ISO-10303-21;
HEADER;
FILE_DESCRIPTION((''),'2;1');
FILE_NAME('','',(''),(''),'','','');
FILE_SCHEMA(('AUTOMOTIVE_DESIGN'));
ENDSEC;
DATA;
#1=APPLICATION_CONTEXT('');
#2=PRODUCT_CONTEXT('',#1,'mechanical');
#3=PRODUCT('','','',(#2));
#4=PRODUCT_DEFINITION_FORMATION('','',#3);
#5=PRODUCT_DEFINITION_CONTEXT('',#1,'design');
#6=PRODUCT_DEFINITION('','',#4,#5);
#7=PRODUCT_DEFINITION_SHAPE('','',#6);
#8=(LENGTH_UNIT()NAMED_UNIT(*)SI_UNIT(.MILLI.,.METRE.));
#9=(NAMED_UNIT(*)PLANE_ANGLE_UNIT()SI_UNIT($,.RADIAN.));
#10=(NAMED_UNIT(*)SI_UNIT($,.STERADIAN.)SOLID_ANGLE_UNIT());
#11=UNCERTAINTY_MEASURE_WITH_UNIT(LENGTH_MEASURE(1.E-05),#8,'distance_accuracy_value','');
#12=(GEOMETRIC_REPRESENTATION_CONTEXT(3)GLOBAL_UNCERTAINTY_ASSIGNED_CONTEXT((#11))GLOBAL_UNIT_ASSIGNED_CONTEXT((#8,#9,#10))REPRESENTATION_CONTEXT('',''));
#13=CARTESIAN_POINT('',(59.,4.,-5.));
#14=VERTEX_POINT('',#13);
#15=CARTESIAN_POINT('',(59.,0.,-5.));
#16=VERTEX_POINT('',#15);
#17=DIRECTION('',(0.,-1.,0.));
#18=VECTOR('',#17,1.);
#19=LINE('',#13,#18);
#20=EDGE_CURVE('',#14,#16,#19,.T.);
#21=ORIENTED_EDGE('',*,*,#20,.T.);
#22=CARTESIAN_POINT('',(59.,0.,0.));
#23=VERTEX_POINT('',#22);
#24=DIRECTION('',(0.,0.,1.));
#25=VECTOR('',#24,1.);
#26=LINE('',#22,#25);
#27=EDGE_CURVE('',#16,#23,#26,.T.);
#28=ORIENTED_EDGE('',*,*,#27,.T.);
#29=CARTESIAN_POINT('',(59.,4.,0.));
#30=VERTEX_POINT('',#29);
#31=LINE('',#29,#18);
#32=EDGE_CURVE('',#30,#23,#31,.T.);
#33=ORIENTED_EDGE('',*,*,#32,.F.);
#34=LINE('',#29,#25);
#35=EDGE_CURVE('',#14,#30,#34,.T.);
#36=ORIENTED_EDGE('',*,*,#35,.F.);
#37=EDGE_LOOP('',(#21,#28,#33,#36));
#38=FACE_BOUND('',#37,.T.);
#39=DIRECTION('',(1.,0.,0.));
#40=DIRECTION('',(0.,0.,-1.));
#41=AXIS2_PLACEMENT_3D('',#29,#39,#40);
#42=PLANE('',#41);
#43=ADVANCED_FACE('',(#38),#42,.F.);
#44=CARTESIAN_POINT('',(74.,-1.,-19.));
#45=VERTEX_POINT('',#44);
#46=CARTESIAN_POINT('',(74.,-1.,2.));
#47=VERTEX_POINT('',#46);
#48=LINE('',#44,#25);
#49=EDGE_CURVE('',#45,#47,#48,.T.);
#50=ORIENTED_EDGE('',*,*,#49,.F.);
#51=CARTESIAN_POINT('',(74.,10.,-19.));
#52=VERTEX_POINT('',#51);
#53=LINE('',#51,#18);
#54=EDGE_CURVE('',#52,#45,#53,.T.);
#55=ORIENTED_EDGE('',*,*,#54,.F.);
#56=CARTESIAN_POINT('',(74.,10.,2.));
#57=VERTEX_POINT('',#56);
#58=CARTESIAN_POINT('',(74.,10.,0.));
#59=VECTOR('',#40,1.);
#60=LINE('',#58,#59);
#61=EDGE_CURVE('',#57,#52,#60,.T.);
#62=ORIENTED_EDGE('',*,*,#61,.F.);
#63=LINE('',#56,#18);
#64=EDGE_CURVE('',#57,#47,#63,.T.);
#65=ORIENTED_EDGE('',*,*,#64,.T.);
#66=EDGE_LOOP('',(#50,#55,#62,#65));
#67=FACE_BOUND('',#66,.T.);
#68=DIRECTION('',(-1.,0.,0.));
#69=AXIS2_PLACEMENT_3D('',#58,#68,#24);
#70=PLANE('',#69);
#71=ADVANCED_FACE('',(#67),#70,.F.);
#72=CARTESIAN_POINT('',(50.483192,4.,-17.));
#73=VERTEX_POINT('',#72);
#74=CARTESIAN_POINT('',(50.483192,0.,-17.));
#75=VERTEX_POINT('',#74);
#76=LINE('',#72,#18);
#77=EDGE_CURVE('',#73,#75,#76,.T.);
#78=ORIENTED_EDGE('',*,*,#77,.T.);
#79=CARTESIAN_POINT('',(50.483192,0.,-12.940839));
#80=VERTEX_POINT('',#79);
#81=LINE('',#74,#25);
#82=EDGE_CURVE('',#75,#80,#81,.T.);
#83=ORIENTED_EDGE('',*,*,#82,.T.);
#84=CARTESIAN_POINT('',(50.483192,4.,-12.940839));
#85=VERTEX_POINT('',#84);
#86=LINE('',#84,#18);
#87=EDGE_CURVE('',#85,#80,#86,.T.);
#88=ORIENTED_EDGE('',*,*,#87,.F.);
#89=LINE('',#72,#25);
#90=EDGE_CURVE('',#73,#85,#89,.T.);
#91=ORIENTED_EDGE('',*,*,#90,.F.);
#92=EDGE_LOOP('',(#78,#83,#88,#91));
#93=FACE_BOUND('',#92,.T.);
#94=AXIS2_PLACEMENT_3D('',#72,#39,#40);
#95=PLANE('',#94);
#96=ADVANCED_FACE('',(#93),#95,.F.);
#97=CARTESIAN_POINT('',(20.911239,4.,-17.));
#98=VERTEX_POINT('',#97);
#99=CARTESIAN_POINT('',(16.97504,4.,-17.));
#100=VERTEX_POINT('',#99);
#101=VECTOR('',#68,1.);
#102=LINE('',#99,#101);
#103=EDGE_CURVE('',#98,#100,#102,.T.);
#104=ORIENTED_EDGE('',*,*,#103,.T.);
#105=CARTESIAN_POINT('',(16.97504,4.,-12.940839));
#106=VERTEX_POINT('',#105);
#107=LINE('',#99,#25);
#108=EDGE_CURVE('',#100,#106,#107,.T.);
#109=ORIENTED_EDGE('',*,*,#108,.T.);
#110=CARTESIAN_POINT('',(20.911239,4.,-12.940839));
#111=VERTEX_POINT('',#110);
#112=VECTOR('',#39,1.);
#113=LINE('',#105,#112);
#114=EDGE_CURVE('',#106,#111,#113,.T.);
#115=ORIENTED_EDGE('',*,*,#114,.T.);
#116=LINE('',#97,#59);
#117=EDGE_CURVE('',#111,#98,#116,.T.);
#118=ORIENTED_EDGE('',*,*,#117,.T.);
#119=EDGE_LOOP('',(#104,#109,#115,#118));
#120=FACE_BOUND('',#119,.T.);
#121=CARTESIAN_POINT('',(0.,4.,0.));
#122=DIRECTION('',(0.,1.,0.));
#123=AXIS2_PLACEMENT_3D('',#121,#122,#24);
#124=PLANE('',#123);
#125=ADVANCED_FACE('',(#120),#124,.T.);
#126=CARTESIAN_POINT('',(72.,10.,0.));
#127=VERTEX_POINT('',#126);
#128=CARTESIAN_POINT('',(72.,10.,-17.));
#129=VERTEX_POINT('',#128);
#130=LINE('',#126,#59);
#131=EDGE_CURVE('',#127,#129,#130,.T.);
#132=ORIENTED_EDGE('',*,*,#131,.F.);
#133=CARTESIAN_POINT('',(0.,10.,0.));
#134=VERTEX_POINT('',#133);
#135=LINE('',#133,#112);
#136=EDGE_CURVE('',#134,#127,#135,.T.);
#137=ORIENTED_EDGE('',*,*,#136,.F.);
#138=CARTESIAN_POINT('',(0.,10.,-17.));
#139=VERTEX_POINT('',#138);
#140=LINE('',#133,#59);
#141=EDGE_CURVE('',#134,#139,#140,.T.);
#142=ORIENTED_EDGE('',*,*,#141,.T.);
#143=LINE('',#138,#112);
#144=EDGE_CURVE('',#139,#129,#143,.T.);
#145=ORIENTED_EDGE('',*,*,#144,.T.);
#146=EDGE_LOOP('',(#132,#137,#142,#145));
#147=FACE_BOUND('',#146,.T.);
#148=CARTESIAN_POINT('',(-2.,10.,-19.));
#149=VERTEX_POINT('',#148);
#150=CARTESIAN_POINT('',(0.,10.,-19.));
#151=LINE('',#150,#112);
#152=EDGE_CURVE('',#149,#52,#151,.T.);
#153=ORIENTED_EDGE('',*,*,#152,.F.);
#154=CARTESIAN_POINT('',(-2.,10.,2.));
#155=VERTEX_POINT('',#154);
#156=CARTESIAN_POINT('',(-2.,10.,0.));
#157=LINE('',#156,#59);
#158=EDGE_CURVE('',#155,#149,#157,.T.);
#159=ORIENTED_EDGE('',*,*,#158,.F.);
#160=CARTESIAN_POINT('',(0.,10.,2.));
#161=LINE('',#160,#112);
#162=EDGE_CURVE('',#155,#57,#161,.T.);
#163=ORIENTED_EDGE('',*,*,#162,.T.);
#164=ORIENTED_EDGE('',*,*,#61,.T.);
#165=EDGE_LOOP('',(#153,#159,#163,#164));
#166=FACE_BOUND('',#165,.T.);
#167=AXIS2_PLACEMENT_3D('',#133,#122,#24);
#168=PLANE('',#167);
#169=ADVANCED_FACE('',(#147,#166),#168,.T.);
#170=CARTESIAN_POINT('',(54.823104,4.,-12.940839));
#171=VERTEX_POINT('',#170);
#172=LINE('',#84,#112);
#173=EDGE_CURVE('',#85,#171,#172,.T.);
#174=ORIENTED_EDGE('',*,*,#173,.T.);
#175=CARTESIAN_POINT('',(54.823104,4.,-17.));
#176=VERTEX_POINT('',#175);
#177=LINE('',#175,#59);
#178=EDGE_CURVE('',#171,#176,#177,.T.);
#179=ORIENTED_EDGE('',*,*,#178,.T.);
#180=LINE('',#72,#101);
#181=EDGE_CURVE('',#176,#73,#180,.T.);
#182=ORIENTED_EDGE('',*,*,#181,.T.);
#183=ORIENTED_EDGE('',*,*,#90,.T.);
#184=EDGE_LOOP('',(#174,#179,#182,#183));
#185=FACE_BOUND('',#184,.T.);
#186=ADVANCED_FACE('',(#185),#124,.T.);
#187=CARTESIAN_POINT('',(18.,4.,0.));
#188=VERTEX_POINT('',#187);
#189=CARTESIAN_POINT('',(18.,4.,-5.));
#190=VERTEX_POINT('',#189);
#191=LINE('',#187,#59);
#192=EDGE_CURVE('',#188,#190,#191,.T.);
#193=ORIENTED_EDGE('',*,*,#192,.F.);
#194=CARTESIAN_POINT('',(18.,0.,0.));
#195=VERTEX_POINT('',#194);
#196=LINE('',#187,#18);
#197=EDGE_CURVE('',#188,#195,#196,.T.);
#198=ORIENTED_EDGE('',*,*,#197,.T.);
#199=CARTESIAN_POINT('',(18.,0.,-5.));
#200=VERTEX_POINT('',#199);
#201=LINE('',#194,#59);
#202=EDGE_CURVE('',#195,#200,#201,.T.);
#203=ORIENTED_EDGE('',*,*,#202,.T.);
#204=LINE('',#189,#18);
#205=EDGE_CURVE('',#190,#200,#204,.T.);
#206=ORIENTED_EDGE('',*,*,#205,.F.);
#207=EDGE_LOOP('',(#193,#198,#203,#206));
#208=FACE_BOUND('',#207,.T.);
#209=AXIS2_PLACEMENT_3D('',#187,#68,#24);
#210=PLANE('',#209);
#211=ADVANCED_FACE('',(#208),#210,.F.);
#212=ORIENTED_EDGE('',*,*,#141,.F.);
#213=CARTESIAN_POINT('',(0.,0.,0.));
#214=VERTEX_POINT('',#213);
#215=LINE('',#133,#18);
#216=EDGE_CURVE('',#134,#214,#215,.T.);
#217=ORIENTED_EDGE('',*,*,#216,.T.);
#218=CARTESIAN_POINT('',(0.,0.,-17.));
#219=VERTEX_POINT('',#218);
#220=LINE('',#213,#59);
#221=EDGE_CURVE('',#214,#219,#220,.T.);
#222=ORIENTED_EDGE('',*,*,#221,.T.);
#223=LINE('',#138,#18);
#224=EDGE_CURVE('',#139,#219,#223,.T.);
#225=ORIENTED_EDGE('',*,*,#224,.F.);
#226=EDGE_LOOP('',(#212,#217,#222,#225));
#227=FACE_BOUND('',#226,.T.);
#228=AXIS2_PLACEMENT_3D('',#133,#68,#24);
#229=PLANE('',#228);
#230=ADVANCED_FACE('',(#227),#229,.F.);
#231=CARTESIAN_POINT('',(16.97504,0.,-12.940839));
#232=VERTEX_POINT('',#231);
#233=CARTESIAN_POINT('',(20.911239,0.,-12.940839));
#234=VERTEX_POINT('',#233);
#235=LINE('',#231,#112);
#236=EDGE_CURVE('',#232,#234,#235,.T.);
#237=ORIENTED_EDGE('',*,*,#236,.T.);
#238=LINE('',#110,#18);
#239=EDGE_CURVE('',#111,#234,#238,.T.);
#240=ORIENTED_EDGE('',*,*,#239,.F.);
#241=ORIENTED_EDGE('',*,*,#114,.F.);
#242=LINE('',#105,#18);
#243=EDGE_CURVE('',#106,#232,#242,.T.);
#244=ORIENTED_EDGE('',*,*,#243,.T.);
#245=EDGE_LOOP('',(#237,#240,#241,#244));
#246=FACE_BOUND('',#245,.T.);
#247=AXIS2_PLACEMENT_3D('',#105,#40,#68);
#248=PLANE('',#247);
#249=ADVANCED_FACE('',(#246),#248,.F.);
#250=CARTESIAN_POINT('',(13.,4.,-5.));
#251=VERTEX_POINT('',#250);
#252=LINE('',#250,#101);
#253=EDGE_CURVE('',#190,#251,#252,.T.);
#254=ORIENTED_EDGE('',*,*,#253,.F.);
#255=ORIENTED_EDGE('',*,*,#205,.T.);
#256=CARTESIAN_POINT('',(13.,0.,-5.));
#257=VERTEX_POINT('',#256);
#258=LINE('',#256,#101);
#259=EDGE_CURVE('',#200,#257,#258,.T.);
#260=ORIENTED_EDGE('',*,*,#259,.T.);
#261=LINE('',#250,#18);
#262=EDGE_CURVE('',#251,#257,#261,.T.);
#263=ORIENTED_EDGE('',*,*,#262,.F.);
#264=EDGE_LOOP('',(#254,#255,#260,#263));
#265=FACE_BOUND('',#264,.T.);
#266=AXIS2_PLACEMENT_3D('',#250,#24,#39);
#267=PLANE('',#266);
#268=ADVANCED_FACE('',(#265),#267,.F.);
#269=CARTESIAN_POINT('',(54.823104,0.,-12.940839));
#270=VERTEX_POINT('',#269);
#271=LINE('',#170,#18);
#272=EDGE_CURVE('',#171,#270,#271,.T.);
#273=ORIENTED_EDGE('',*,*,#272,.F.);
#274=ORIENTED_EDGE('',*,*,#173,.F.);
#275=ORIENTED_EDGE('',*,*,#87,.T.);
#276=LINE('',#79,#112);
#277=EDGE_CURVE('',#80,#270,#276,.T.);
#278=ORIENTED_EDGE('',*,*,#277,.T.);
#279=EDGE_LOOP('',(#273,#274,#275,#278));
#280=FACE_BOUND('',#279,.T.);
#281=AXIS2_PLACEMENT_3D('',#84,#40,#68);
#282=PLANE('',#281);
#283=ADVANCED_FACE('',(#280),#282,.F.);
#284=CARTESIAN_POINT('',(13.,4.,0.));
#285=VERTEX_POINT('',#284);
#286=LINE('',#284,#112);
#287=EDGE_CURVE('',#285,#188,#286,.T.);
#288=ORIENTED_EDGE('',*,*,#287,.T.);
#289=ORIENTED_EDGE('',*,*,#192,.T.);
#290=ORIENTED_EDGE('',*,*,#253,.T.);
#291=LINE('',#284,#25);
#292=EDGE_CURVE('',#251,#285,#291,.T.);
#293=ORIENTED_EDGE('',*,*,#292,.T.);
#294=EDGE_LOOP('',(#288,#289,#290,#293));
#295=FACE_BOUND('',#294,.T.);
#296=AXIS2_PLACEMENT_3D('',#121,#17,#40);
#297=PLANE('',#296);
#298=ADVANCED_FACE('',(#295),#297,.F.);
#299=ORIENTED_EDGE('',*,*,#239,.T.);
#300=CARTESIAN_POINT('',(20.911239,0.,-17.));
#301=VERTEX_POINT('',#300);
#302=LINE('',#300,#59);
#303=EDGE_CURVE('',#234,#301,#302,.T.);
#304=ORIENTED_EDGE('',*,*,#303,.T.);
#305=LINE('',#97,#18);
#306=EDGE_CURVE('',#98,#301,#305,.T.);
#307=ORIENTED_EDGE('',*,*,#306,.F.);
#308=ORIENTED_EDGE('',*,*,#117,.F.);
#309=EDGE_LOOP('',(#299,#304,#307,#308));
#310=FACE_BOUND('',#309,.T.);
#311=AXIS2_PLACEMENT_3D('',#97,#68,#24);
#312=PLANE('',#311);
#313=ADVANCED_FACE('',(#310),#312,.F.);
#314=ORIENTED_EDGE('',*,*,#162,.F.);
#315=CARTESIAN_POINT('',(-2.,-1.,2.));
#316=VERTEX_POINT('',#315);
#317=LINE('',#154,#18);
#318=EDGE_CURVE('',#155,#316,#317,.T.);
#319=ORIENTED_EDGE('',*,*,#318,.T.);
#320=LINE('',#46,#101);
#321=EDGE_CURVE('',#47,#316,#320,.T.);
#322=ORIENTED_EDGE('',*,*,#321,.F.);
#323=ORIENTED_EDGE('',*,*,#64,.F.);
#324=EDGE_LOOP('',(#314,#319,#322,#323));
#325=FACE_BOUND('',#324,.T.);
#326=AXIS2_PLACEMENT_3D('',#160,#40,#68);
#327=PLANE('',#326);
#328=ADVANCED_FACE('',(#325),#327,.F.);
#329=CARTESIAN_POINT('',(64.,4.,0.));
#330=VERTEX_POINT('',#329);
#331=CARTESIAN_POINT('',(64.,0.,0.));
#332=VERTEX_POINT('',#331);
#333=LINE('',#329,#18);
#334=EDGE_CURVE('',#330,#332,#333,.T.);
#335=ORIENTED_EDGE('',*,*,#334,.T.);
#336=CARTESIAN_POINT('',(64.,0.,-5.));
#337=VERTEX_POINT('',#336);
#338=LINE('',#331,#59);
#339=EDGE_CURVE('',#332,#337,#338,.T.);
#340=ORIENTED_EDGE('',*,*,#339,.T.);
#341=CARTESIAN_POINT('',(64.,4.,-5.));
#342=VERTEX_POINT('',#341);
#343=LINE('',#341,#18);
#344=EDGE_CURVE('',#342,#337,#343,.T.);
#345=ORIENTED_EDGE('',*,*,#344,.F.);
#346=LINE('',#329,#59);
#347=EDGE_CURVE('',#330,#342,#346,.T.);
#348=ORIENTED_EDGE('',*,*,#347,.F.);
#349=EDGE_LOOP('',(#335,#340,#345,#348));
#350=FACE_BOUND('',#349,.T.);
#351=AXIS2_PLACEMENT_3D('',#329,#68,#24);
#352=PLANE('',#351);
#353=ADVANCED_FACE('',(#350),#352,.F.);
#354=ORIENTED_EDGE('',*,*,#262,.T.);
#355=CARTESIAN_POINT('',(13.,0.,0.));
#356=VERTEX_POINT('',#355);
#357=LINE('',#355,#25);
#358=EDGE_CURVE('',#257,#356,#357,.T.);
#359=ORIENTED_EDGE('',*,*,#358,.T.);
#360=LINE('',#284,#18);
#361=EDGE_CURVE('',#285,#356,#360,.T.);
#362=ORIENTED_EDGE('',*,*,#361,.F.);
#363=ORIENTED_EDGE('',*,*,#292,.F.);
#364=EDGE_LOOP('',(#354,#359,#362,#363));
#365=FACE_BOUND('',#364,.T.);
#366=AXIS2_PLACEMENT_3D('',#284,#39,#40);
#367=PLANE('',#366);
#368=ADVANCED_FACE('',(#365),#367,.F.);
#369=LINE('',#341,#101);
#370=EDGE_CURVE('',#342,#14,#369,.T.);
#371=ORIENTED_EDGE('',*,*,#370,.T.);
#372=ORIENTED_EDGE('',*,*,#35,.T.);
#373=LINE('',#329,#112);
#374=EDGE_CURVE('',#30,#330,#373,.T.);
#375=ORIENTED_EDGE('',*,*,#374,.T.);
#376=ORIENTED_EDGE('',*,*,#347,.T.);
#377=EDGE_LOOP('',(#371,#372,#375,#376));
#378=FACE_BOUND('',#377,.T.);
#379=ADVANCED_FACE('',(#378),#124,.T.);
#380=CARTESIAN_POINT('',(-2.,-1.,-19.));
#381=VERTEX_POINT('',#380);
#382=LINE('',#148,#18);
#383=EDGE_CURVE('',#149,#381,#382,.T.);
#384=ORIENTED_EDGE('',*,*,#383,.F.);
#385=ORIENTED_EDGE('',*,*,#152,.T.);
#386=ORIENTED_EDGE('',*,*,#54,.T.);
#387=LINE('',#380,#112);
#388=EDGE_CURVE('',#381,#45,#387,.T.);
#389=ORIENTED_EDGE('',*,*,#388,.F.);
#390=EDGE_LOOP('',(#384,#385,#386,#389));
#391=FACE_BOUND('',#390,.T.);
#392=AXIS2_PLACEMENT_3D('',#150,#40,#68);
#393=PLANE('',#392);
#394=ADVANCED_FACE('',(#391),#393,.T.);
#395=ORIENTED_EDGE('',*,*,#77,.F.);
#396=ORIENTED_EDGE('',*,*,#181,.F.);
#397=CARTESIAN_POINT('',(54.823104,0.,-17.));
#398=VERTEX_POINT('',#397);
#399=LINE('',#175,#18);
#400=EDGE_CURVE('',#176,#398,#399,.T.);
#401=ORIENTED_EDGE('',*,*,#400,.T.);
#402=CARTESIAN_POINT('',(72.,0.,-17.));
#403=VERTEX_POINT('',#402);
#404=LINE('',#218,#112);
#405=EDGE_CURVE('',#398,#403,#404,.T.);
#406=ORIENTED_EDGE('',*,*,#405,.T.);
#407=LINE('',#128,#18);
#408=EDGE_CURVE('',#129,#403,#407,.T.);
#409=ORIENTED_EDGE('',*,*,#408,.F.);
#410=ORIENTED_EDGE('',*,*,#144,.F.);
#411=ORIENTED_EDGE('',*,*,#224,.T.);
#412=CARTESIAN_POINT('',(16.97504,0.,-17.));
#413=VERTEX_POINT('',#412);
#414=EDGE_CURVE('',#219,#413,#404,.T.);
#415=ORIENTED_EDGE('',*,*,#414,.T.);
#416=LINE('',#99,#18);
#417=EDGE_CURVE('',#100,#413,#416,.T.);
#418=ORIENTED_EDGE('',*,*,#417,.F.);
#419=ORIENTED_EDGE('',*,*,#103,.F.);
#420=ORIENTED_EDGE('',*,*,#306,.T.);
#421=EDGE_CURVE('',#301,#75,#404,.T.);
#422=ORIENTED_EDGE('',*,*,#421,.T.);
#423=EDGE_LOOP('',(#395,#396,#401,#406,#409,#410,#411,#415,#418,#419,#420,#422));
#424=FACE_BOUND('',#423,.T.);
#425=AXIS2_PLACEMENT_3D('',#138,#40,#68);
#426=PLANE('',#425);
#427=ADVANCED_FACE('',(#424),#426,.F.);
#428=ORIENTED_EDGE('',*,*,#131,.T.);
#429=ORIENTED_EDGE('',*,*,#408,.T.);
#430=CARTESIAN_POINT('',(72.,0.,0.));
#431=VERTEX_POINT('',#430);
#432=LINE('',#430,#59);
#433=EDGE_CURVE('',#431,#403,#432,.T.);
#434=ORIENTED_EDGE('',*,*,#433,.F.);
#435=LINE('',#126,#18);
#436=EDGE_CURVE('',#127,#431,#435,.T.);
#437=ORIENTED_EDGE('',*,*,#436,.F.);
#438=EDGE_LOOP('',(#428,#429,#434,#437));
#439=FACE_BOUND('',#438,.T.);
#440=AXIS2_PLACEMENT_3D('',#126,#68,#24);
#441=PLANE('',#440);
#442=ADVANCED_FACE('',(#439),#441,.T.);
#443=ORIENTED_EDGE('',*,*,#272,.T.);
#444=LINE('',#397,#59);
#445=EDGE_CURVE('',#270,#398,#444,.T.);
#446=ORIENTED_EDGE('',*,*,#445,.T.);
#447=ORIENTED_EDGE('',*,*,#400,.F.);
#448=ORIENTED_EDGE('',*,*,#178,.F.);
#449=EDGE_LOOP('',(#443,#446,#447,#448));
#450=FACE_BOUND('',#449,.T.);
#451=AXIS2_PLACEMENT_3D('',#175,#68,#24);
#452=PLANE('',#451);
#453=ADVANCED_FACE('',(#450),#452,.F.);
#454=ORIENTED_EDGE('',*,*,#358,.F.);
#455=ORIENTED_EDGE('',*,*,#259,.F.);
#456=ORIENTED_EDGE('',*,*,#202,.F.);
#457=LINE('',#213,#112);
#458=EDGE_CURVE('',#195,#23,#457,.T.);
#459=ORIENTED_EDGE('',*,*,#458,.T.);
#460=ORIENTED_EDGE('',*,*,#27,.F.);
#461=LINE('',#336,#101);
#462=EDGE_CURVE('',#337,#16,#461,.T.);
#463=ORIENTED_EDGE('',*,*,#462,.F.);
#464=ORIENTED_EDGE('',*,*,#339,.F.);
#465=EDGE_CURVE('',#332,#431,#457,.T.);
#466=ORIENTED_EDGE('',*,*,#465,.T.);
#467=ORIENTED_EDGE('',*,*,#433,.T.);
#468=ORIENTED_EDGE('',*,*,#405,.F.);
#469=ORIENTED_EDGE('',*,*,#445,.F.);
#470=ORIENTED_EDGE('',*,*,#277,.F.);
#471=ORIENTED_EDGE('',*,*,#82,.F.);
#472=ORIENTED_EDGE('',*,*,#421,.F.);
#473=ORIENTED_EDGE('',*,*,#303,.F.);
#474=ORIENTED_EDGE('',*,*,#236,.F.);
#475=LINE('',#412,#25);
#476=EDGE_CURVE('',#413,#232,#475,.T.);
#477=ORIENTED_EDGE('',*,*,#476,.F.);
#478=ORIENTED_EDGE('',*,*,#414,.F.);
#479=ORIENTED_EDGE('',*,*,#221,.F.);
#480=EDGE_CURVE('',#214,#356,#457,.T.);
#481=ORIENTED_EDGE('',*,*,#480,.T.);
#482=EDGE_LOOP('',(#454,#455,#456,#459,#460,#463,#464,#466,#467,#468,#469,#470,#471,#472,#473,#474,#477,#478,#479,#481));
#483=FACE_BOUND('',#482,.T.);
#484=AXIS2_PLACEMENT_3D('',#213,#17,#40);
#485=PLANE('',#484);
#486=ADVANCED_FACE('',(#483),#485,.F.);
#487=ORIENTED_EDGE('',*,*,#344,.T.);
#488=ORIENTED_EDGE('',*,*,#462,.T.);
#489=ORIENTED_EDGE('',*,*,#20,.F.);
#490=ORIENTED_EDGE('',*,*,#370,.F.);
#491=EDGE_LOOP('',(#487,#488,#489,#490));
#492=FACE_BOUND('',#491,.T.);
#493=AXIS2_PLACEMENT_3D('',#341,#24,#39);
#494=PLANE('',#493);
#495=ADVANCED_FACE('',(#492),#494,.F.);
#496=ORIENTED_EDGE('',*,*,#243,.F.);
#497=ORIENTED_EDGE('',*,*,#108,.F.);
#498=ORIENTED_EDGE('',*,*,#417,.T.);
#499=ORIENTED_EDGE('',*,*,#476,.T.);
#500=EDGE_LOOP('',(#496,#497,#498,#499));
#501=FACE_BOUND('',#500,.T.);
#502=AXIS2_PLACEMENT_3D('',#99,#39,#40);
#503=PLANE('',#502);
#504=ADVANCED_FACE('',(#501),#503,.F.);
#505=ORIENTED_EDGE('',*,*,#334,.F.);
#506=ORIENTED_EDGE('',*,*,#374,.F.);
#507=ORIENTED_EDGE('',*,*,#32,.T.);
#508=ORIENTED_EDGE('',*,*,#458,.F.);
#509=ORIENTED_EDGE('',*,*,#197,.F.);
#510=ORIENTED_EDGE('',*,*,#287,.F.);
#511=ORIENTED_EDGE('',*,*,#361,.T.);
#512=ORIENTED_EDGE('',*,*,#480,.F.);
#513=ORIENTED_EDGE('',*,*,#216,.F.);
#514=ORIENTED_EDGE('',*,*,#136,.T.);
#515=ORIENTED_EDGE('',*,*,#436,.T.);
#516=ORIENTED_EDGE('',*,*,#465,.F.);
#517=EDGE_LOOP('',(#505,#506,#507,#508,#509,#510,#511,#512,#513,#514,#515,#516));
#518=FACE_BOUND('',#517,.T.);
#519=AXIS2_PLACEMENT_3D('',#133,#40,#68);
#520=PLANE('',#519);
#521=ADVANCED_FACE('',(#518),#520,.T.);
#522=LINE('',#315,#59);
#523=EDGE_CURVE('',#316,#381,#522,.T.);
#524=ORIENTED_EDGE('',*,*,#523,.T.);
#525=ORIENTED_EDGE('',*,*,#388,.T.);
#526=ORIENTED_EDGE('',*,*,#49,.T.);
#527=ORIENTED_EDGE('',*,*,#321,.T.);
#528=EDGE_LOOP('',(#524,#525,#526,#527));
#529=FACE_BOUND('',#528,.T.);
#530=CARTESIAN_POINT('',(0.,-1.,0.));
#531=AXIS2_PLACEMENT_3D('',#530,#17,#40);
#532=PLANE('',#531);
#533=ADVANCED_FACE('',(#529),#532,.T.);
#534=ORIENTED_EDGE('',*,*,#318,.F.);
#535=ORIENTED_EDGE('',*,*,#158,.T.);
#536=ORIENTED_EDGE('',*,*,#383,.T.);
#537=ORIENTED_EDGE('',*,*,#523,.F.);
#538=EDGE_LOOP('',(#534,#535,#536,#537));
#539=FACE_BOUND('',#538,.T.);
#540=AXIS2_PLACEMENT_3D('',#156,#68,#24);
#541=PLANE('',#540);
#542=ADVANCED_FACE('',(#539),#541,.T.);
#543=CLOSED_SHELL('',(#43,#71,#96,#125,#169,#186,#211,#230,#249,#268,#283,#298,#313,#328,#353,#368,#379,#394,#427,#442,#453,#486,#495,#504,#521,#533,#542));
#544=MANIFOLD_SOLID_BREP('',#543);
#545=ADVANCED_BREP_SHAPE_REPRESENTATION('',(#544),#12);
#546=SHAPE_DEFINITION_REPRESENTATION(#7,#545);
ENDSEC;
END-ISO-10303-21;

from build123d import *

# Parameters (mm, degrees)
SKETCH1_W           = 76
SKETCH1_H           = 21
SKETCH1_W_2         = 72
SKETCH1_H_2         = 17
BOSS_EXTRUDE1_DEPTH = 10
SKETCH2_W           = 76
SKETCH2_H           = 21
BOSS_EXTRUDE2_DEPTH = 1
SKETCH3_W           = 3.936198622
SKETCH3_H           = 4.059160528
SKETCH3_W_2         = 4.339911302
BOSS_EXTRUDE3_DEPTH = 4
SKETCH4_W           = 5
SKETCH4_H           = 5
BOSS_EXTRUDE4_DEPTH = 4


with BuildPart() as part:
    # Sketch1 → Boss-Extrude1 (new body)
    with BuildSketch(Plane(origin=(0, 0, 0), x_dir=(1, 0, 0), z_dir=(0, 1, 0))):
        with Locations((36, 8.5)):
            Rectangle(SKETCH1_W, SKETCH1_H)
        with Locations((36, 8.5)):
            Rectangle(SKETCH1_W_2, SKETCH1_H_2, mode=Mode.SUBTRACT)
    extrude(amount=BOSS_EXTRUDE1_DEPTH)

    # Sketch2 → Boss-Extrude2 (add)
    with BuildSketch(Plane.XZ):
        with Locations((36, -8.5)):
            Rectangle(SKETCH2_W, SKETCH2_H)
    extrude(amount=BOSS_EXTRUDE2_DEPTH)

    # Sketch3 → Boss-Extrude3 (add)
    with BuildSketch(Plane(origin=(0, 0, 0), x_dir=(1, 0, 0), z_dir=(0, 1, 0))):
        with Locations((18.943139302, 14.970419736)):
            Rectangle(SKETCH3_W, SKETCH3_H)
        with Locations((52.653148019, 14.970419736)):
            Rectangle(SKETCH3_W_2, SKETCH3_H)
    extrude(amount=BOSS_EXTRUDE3_DEPTH)

    # Sketch4 → Boss-Extrude4 (add)
    with BuildSketch(Plane(origin=(0, 0, 0), x_dir=(1, 0, 0), z_dir=(0, 1, 0))):
        with Locations((15.5, 2.5)):
            Rectangle(SKETCH4_W, SKETCH4_H)
        with Locations((61.5, 2.5)):
            Rectangle(SKETCH4_W, SKETCH4_H)
    extrude(amount=BOSS_EXTRUDE4_DEPTH)


solid = part.part
